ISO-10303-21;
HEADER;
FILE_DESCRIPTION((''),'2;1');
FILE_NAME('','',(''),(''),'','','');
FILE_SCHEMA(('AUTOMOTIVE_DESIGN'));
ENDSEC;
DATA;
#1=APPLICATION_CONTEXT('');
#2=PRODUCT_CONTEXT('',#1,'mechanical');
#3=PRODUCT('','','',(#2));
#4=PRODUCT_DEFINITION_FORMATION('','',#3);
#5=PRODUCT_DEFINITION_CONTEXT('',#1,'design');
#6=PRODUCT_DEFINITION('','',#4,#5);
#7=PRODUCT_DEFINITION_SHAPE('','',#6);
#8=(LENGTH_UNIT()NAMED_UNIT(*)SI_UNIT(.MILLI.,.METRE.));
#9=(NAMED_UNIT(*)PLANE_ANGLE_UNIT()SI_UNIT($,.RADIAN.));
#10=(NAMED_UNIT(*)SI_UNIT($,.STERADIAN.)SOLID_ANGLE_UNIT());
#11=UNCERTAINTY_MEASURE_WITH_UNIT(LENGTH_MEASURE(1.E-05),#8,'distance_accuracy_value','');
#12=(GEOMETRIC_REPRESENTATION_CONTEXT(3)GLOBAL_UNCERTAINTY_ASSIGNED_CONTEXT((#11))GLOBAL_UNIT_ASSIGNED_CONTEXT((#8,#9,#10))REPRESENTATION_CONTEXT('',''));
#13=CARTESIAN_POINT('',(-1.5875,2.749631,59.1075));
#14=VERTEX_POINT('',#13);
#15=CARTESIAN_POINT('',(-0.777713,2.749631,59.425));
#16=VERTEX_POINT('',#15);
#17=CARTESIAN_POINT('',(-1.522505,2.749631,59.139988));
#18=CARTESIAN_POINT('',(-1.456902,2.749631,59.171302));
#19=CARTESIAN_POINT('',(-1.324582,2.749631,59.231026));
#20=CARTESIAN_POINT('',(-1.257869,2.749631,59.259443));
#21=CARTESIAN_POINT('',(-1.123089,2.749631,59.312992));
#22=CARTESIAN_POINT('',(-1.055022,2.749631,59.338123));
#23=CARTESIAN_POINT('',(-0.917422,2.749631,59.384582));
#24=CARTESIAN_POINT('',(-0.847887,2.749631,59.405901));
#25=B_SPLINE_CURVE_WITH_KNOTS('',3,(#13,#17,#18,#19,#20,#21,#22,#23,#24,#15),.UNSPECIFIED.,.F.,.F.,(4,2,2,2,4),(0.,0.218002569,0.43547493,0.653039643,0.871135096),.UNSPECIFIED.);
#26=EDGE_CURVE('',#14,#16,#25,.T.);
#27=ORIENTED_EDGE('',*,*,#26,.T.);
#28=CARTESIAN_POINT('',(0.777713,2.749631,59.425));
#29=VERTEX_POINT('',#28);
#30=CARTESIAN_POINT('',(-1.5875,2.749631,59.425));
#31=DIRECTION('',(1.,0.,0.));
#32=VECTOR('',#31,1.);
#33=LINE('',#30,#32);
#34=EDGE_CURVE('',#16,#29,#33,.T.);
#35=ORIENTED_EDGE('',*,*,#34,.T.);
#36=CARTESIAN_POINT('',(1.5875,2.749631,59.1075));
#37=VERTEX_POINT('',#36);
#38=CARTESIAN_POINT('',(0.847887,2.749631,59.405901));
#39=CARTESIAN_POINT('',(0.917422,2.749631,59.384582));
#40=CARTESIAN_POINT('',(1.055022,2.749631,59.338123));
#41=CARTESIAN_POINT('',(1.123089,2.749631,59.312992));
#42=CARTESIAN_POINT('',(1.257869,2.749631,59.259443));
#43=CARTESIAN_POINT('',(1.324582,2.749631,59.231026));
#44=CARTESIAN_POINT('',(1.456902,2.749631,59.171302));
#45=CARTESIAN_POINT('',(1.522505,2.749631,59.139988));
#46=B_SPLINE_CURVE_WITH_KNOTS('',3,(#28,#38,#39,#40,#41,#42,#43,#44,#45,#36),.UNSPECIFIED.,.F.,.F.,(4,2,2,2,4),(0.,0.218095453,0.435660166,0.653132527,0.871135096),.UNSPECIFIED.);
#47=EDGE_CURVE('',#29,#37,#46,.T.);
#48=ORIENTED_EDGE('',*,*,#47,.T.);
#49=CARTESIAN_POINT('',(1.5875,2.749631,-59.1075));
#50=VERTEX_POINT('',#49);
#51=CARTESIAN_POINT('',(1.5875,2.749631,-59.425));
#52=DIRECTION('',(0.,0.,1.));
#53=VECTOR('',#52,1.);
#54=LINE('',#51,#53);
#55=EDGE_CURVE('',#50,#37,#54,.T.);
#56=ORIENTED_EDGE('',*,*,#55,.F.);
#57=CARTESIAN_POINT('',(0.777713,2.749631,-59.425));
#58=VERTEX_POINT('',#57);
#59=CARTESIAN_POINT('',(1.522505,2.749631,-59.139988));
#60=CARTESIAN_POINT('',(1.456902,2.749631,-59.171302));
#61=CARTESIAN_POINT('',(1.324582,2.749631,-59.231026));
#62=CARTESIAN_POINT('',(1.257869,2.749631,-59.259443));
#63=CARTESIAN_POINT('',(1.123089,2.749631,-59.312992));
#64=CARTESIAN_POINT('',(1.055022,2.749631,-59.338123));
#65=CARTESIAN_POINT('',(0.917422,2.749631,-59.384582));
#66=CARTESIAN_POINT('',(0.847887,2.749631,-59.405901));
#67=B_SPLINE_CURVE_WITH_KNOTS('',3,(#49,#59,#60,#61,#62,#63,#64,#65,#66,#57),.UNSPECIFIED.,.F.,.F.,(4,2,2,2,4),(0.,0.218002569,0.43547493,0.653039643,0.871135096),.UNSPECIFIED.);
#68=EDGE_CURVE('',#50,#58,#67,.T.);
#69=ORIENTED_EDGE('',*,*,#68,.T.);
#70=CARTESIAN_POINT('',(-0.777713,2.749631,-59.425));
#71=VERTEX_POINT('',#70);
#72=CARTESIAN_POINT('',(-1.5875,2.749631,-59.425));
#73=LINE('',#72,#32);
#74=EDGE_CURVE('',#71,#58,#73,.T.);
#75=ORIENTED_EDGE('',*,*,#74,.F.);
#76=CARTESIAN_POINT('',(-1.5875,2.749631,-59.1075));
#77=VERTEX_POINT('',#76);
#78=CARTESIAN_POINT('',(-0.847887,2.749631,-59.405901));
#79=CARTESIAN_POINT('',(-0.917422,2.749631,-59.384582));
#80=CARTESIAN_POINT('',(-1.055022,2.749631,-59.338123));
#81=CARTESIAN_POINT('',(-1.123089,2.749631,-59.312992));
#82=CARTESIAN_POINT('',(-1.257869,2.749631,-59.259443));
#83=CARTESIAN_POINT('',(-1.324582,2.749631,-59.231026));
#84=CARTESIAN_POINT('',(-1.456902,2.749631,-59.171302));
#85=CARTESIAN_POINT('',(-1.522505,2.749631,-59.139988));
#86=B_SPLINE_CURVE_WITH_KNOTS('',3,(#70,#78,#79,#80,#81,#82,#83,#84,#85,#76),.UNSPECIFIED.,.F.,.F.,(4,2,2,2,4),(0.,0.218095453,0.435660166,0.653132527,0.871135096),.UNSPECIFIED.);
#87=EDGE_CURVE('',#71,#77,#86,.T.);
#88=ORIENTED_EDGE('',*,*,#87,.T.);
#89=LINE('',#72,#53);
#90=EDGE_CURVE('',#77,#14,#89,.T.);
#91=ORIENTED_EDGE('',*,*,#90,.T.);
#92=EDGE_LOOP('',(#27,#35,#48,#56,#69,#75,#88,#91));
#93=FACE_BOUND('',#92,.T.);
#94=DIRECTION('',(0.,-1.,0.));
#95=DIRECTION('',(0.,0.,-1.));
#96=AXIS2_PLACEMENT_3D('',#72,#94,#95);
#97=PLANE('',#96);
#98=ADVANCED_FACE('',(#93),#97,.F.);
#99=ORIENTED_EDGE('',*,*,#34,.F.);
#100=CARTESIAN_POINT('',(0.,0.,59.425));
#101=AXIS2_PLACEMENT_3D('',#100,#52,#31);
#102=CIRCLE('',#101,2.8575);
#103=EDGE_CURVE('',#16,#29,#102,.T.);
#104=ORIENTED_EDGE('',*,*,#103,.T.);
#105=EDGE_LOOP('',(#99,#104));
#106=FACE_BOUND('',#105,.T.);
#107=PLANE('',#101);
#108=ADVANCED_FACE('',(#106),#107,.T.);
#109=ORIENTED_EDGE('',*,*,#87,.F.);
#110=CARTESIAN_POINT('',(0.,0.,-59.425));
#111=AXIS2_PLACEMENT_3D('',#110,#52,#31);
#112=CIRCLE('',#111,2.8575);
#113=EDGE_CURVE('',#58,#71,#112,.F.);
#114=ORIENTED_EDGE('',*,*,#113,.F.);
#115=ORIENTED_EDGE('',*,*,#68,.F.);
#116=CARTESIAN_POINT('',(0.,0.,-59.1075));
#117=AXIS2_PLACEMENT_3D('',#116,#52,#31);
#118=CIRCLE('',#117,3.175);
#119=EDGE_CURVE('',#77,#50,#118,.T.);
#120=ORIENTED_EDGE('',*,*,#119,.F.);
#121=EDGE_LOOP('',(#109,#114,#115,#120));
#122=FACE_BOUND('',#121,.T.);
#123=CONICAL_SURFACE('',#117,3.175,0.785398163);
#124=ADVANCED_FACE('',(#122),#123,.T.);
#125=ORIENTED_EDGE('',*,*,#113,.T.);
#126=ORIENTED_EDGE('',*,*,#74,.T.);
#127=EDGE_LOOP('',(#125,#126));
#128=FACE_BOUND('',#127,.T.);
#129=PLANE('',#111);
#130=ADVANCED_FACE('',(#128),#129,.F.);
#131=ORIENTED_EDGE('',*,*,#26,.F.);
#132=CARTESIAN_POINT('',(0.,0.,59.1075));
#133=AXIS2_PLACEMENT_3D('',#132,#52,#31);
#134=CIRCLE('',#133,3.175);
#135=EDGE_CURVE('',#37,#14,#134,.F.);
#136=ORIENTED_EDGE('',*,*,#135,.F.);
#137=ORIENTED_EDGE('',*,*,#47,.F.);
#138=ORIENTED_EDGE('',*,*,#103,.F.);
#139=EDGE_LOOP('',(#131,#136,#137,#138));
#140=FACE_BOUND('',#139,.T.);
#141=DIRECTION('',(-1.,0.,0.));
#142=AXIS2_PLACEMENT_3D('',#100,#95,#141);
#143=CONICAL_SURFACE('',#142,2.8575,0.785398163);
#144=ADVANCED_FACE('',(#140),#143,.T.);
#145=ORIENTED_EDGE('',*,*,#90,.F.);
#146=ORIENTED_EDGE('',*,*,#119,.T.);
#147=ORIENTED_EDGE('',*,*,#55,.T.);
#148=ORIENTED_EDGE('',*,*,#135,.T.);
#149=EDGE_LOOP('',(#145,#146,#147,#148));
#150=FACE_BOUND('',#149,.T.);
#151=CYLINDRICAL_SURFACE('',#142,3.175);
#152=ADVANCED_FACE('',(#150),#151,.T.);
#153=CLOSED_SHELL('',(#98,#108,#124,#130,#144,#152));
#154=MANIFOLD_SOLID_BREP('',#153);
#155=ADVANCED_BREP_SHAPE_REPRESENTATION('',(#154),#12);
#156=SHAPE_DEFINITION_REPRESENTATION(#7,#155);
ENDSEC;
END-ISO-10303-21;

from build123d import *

# Parameters (mm, degrees)
SKETCH3_R                = 3.175
BOSS_EXTRUDE2_DEPTH      = 59.425
BOSS_EXTRUDE2_DEPTH_BACK = 59.425
CUT_EXTRUDE5_DEPTH       = 60.425
CUT_EXTRUDE5_DEPTH_BACK  = 60.425
CHAMFER1_SIZE            = 0.3175


with BuildPart() as part:
    # Sketch3 → Boss-Extrude2 (new body, two sides)
    with BuildSketch(Plane.XY) as boss_extrude2_sk:
        Circle(SKETCH3_R)
    extrude(amount=BOSS_EXTRUDE2_DEPTH)
    extrude(boss_extrude2_sk.sketch, amount=-BOSS_EXTRUDE2_DEPTH_BACK)

    # Sketch10 → Cut-Extrude5 (cut, two sides)
    with BuildSketch(Plane.XY) as cut_extrude5_sk:
        with BuildLine():
            Line((-1.5875, 2.749630657), (1.5875, 2.749630657))
            ThreePointArc((1.5875, 2.749630657), (0, 3.175), (-1.5875, 2.749630657))
        make_face()
    extrude(amount=CUT_EXTRUDE5_DEPTH, mode=Mode.SUBTRACT)
    extrude(cut_extrude5_sk.sketch, amount=-CUT_EXTRUDE5_DEPTH_BACK, mode=Mode.SUBTRACT)

    # Chamfer1
    chamfer1_edges = [part.edges().sort_by_distance(p)[0] for p in [
        (0, -3.175, -59.425),
        (0, -3.175, 59.425),
    ]]
    chamfer(chamfer1_edges, length=CHAMFER1_SIZE)


solid = part.part
